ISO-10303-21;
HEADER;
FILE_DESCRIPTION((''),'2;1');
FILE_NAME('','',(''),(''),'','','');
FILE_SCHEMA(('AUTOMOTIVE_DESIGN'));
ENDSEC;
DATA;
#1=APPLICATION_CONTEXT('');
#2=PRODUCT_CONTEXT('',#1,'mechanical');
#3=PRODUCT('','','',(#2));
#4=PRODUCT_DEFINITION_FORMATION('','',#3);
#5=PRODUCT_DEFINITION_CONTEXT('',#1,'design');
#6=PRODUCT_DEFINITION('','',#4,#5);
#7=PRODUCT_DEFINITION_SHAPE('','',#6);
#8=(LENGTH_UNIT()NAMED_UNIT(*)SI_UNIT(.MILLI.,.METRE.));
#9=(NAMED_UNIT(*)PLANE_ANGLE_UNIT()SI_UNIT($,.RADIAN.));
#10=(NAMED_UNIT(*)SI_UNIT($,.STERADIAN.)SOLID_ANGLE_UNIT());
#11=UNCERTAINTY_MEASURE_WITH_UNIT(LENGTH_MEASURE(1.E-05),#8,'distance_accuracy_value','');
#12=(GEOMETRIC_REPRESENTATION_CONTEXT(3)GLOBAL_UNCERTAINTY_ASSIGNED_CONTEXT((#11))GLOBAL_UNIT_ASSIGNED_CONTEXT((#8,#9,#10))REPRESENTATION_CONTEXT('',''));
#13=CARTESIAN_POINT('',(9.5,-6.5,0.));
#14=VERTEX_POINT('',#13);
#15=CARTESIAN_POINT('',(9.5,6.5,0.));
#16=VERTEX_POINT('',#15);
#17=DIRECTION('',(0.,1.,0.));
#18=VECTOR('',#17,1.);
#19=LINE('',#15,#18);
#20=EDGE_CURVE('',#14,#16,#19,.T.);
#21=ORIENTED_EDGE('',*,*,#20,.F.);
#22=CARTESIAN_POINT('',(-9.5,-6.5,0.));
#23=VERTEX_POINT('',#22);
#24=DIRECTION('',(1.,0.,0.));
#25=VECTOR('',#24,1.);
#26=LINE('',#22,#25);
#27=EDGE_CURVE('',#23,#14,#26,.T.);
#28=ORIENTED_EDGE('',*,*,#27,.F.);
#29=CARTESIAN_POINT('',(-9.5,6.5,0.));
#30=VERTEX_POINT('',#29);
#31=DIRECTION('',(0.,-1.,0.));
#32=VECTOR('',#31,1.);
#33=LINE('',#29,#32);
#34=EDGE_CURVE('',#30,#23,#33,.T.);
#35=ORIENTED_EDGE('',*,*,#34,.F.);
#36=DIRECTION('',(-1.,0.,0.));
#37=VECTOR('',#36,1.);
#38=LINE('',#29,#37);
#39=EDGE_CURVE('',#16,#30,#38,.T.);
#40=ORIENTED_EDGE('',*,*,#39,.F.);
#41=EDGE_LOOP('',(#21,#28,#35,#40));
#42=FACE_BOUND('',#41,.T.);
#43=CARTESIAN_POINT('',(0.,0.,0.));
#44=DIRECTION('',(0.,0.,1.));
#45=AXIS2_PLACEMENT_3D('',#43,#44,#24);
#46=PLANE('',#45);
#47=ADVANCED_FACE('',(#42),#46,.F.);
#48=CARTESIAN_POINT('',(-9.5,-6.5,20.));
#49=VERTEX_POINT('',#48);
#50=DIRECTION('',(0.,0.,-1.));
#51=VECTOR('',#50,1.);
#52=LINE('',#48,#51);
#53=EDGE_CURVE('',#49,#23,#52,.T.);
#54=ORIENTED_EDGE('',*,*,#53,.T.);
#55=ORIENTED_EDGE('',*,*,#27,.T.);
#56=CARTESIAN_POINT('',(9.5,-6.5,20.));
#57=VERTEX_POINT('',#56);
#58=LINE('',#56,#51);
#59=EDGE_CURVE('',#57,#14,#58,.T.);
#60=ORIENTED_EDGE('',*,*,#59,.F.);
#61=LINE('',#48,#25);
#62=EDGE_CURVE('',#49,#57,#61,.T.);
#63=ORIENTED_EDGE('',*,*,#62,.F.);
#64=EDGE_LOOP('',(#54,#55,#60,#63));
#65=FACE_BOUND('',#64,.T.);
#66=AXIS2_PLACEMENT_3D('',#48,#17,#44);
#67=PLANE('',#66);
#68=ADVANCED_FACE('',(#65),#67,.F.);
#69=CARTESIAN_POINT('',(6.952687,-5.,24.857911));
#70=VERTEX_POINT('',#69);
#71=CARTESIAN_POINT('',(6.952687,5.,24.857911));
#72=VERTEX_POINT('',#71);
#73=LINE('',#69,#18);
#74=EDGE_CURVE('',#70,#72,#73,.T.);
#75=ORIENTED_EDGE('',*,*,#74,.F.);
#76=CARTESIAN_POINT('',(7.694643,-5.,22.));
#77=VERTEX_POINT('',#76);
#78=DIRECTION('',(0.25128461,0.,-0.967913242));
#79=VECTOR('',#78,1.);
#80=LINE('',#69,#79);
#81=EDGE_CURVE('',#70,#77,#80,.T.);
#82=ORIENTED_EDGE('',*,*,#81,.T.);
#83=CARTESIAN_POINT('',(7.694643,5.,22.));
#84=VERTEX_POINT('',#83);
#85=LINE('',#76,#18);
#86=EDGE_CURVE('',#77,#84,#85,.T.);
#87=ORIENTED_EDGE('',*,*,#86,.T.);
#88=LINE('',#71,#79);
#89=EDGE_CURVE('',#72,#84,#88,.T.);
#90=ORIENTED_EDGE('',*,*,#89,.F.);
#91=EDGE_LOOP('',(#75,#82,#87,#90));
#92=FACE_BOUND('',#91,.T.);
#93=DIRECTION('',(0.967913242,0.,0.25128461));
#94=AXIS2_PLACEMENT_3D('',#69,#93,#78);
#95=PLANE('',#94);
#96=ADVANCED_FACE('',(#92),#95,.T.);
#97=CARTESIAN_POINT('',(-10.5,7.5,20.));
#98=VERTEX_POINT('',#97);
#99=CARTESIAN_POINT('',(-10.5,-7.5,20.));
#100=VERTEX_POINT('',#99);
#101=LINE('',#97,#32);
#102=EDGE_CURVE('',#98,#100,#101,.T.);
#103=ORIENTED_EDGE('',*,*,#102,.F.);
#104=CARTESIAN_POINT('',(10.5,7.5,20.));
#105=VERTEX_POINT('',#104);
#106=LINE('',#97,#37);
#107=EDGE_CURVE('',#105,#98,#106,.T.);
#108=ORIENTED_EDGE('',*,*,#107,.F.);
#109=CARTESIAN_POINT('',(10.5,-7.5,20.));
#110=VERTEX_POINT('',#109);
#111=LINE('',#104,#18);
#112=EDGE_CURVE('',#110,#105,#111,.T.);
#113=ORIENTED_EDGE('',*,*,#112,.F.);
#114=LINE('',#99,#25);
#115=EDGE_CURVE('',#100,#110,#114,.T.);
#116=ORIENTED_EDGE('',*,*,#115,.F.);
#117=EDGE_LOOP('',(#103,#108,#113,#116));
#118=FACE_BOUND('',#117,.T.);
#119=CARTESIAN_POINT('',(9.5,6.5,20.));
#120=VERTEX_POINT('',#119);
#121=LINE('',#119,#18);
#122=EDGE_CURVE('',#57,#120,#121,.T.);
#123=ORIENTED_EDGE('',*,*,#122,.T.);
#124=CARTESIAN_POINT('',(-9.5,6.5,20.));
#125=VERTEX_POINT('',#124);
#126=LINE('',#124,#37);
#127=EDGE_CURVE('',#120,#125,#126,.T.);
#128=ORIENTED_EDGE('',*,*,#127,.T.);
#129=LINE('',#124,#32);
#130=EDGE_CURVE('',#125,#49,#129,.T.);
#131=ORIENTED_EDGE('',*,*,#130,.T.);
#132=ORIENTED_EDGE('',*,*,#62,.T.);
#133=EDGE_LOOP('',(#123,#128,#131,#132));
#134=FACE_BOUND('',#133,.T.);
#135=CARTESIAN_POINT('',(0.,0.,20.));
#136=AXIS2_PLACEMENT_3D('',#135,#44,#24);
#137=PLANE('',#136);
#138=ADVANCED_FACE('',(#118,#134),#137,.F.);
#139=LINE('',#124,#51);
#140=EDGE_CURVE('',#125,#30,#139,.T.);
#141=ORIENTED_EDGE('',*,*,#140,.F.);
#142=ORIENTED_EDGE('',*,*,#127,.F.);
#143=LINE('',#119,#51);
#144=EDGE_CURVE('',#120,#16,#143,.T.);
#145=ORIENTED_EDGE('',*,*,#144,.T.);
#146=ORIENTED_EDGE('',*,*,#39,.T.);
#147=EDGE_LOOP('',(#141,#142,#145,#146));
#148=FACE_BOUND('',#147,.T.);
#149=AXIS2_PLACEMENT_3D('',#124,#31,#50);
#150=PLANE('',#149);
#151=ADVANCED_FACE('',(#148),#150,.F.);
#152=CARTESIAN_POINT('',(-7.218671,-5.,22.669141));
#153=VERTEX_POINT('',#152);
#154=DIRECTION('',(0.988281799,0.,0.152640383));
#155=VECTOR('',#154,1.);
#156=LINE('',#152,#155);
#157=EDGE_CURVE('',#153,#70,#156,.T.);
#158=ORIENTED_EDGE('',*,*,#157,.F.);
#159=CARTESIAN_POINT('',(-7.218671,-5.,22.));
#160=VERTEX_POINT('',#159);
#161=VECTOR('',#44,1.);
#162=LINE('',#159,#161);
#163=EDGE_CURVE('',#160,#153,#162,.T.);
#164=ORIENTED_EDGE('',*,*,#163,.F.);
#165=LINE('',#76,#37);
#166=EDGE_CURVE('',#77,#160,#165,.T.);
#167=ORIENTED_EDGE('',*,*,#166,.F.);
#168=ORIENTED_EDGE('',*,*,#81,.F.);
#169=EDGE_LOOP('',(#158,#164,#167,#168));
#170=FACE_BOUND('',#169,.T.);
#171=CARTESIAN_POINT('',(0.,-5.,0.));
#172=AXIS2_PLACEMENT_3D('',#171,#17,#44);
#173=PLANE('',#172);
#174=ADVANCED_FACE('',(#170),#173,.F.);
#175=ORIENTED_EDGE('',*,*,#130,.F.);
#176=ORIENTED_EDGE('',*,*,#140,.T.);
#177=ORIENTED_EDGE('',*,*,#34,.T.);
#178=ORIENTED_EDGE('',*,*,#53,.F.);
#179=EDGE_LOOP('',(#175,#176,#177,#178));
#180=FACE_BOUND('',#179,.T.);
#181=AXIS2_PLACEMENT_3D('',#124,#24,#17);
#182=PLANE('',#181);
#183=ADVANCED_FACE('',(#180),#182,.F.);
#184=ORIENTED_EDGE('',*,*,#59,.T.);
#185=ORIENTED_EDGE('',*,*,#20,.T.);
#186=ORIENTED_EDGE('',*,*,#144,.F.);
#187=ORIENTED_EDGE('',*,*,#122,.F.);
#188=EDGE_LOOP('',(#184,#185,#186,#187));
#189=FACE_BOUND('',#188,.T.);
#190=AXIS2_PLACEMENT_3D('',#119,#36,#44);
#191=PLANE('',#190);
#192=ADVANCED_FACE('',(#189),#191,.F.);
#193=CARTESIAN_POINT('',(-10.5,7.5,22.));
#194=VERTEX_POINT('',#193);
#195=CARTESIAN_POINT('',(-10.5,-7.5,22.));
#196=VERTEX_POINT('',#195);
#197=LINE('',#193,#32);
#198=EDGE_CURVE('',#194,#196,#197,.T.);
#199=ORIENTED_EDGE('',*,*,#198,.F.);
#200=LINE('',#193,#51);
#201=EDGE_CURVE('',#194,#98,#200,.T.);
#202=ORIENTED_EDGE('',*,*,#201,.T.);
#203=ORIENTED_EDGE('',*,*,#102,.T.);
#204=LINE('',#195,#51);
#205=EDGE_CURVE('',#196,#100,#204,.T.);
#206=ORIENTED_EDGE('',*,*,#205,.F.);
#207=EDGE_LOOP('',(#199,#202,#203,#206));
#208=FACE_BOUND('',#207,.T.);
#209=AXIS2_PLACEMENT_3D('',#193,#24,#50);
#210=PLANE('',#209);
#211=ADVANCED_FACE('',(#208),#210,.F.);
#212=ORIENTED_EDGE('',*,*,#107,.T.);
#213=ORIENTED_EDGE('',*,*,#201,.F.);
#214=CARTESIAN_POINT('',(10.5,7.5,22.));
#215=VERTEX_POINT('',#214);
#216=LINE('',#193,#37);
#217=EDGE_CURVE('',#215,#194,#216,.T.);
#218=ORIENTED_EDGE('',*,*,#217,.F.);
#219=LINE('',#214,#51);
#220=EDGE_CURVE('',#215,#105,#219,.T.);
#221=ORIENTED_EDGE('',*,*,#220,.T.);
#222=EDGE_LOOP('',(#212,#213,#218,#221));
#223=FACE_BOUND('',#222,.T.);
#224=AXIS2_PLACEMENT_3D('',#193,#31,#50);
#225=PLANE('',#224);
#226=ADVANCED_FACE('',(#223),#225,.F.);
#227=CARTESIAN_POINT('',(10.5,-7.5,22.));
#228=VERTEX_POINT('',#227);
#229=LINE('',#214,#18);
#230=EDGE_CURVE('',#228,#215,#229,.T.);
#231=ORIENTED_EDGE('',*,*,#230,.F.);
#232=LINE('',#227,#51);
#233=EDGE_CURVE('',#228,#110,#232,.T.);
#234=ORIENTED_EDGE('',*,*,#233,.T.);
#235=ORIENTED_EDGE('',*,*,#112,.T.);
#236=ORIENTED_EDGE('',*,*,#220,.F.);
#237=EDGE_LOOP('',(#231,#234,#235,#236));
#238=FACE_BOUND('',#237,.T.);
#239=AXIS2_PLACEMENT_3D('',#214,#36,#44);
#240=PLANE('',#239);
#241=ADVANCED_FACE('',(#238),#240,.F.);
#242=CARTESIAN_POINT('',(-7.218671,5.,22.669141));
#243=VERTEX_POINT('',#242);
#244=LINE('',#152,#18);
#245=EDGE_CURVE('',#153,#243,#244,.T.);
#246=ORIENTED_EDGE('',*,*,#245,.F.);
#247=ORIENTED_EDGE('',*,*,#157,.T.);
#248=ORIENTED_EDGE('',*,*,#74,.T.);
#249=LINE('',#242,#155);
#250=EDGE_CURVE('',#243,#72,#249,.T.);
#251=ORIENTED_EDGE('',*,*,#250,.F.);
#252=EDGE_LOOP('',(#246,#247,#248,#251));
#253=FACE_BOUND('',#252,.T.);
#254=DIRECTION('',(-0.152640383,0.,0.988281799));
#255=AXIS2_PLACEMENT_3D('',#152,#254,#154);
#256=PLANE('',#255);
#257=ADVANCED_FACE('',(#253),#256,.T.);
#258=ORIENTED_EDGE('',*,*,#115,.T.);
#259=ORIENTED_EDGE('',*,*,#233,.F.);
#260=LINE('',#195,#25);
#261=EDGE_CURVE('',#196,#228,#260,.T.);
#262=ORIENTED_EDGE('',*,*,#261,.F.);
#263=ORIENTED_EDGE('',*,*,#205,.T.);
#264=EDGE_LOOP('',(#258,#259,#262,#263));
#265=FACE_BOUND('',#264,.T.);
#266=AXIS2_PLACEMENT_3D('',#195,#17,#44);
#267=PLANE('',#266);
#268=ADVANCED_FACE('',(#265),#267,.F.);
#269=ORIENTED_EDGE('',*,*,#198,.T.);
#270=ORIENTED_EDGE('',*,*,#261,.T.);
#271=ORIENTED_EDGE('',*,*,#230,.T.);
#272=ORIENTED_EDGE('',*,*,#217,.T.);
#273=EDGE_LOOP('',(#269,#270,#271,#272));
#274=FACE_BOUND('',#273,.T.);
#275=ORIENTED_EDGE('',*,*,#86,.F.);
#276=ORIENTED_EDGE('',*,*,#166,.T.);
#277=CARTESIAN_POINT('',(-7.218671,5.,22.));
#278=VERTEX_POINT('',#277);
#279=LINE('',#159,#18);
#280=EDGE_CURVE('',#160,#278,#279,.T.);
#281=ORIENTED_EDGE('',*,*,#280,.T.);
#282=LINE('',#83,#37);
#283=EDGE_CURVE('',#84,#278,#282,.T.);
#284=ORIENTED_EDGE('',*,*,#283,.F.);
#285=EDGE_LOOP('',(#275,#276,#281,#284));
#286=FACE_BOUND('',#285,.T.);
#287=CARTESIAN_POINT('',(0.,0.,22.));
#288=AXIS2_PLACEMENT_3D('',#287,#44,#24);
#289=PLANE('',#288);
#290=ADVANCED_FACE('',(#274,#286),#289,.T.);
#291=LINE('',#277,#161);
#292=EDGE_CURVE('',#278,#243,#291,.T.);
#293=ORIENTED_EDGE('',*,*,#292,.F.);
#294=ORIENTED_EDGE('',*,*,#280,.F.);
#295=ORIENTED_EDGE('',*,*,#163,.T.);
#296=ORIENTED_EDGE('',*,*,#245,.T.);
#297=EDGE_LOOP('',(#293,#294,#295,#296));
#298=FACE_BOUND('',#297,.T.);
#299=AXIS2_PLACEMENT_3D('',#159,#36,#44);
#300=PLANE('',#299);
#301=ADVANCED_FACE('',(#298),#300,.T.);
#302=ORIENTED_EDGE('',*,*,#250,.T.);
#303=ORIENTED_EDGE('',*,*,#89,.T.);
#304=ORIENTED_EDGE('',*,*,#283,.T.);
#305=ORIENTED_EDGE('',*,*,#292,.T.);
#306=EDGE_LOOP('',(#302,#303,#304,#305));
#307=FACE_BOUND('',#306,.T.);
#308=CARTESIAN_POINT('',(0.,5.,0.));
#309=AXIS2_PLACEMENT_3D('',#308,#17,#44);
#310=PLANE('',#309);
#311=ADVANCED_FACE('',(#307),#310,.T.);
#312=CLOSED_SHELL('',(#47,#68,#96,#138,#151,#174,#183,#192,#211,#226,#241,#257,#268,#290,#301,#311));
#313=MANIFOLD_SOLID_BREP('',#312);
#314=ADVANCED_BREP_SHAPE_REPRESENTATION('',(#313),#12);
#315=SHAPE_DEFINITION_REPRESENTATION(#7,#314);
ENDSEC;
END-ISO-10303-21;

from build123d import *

# Parameters (mm, degrees)
SKETCH1_W                = 19
SKETCH1_H                = 13
BOSS_EXTRUDE1_DEPTH      = 20
SKETCH2_W                = 21
SKETCH2_H                = 15
BOSS_EXTRUDE2_DEPTH      = 2
BOSS_EXTRUDE3_DEPTH      = 5
BOSS_EXTRUDE3_DEPTH_BACK = 5


with BuildPart() as part:
    # Sketch1 → Boss-Extrude1 (new body)
    with BuildSketch(Plane.XY):
        Rectangle(SKETCH1_W, SKETCH1_H)
    extrude(amount=BOSS_EXTRUDE1_DEPTH)

    # Sketch2 → Boss-Extrude2 (add)
    with BuildSketch(Plane.XY.offset(20)):
        Rectangle(SKETCH2_W, SKETCH2_H)
    extrude(amount=BOSS_EXTRUDE2_DEPTH)

    # Sketch3 → Boss-Extrude3 (add, two sides)
    with BuildSketch(Plane(origin=(0, 0, 0), x_dir=(1, 0, 0), z_dir=(0, 1, 0))) as boss_extrude3_sk:
        Polygon((-7.218671047, -22), (-7.218671047, -22.66914067), (6.952686856, -24.857910608), (7.694642767, -22), align=None)
    extrude(amount=BOSS_EXTRUDE3_DEPTH)
    extrude(boss_extrude3_sk.sketch, amount=-BOSS_EXTRUDE3_DEPTH_BACK)


solid = part.part
